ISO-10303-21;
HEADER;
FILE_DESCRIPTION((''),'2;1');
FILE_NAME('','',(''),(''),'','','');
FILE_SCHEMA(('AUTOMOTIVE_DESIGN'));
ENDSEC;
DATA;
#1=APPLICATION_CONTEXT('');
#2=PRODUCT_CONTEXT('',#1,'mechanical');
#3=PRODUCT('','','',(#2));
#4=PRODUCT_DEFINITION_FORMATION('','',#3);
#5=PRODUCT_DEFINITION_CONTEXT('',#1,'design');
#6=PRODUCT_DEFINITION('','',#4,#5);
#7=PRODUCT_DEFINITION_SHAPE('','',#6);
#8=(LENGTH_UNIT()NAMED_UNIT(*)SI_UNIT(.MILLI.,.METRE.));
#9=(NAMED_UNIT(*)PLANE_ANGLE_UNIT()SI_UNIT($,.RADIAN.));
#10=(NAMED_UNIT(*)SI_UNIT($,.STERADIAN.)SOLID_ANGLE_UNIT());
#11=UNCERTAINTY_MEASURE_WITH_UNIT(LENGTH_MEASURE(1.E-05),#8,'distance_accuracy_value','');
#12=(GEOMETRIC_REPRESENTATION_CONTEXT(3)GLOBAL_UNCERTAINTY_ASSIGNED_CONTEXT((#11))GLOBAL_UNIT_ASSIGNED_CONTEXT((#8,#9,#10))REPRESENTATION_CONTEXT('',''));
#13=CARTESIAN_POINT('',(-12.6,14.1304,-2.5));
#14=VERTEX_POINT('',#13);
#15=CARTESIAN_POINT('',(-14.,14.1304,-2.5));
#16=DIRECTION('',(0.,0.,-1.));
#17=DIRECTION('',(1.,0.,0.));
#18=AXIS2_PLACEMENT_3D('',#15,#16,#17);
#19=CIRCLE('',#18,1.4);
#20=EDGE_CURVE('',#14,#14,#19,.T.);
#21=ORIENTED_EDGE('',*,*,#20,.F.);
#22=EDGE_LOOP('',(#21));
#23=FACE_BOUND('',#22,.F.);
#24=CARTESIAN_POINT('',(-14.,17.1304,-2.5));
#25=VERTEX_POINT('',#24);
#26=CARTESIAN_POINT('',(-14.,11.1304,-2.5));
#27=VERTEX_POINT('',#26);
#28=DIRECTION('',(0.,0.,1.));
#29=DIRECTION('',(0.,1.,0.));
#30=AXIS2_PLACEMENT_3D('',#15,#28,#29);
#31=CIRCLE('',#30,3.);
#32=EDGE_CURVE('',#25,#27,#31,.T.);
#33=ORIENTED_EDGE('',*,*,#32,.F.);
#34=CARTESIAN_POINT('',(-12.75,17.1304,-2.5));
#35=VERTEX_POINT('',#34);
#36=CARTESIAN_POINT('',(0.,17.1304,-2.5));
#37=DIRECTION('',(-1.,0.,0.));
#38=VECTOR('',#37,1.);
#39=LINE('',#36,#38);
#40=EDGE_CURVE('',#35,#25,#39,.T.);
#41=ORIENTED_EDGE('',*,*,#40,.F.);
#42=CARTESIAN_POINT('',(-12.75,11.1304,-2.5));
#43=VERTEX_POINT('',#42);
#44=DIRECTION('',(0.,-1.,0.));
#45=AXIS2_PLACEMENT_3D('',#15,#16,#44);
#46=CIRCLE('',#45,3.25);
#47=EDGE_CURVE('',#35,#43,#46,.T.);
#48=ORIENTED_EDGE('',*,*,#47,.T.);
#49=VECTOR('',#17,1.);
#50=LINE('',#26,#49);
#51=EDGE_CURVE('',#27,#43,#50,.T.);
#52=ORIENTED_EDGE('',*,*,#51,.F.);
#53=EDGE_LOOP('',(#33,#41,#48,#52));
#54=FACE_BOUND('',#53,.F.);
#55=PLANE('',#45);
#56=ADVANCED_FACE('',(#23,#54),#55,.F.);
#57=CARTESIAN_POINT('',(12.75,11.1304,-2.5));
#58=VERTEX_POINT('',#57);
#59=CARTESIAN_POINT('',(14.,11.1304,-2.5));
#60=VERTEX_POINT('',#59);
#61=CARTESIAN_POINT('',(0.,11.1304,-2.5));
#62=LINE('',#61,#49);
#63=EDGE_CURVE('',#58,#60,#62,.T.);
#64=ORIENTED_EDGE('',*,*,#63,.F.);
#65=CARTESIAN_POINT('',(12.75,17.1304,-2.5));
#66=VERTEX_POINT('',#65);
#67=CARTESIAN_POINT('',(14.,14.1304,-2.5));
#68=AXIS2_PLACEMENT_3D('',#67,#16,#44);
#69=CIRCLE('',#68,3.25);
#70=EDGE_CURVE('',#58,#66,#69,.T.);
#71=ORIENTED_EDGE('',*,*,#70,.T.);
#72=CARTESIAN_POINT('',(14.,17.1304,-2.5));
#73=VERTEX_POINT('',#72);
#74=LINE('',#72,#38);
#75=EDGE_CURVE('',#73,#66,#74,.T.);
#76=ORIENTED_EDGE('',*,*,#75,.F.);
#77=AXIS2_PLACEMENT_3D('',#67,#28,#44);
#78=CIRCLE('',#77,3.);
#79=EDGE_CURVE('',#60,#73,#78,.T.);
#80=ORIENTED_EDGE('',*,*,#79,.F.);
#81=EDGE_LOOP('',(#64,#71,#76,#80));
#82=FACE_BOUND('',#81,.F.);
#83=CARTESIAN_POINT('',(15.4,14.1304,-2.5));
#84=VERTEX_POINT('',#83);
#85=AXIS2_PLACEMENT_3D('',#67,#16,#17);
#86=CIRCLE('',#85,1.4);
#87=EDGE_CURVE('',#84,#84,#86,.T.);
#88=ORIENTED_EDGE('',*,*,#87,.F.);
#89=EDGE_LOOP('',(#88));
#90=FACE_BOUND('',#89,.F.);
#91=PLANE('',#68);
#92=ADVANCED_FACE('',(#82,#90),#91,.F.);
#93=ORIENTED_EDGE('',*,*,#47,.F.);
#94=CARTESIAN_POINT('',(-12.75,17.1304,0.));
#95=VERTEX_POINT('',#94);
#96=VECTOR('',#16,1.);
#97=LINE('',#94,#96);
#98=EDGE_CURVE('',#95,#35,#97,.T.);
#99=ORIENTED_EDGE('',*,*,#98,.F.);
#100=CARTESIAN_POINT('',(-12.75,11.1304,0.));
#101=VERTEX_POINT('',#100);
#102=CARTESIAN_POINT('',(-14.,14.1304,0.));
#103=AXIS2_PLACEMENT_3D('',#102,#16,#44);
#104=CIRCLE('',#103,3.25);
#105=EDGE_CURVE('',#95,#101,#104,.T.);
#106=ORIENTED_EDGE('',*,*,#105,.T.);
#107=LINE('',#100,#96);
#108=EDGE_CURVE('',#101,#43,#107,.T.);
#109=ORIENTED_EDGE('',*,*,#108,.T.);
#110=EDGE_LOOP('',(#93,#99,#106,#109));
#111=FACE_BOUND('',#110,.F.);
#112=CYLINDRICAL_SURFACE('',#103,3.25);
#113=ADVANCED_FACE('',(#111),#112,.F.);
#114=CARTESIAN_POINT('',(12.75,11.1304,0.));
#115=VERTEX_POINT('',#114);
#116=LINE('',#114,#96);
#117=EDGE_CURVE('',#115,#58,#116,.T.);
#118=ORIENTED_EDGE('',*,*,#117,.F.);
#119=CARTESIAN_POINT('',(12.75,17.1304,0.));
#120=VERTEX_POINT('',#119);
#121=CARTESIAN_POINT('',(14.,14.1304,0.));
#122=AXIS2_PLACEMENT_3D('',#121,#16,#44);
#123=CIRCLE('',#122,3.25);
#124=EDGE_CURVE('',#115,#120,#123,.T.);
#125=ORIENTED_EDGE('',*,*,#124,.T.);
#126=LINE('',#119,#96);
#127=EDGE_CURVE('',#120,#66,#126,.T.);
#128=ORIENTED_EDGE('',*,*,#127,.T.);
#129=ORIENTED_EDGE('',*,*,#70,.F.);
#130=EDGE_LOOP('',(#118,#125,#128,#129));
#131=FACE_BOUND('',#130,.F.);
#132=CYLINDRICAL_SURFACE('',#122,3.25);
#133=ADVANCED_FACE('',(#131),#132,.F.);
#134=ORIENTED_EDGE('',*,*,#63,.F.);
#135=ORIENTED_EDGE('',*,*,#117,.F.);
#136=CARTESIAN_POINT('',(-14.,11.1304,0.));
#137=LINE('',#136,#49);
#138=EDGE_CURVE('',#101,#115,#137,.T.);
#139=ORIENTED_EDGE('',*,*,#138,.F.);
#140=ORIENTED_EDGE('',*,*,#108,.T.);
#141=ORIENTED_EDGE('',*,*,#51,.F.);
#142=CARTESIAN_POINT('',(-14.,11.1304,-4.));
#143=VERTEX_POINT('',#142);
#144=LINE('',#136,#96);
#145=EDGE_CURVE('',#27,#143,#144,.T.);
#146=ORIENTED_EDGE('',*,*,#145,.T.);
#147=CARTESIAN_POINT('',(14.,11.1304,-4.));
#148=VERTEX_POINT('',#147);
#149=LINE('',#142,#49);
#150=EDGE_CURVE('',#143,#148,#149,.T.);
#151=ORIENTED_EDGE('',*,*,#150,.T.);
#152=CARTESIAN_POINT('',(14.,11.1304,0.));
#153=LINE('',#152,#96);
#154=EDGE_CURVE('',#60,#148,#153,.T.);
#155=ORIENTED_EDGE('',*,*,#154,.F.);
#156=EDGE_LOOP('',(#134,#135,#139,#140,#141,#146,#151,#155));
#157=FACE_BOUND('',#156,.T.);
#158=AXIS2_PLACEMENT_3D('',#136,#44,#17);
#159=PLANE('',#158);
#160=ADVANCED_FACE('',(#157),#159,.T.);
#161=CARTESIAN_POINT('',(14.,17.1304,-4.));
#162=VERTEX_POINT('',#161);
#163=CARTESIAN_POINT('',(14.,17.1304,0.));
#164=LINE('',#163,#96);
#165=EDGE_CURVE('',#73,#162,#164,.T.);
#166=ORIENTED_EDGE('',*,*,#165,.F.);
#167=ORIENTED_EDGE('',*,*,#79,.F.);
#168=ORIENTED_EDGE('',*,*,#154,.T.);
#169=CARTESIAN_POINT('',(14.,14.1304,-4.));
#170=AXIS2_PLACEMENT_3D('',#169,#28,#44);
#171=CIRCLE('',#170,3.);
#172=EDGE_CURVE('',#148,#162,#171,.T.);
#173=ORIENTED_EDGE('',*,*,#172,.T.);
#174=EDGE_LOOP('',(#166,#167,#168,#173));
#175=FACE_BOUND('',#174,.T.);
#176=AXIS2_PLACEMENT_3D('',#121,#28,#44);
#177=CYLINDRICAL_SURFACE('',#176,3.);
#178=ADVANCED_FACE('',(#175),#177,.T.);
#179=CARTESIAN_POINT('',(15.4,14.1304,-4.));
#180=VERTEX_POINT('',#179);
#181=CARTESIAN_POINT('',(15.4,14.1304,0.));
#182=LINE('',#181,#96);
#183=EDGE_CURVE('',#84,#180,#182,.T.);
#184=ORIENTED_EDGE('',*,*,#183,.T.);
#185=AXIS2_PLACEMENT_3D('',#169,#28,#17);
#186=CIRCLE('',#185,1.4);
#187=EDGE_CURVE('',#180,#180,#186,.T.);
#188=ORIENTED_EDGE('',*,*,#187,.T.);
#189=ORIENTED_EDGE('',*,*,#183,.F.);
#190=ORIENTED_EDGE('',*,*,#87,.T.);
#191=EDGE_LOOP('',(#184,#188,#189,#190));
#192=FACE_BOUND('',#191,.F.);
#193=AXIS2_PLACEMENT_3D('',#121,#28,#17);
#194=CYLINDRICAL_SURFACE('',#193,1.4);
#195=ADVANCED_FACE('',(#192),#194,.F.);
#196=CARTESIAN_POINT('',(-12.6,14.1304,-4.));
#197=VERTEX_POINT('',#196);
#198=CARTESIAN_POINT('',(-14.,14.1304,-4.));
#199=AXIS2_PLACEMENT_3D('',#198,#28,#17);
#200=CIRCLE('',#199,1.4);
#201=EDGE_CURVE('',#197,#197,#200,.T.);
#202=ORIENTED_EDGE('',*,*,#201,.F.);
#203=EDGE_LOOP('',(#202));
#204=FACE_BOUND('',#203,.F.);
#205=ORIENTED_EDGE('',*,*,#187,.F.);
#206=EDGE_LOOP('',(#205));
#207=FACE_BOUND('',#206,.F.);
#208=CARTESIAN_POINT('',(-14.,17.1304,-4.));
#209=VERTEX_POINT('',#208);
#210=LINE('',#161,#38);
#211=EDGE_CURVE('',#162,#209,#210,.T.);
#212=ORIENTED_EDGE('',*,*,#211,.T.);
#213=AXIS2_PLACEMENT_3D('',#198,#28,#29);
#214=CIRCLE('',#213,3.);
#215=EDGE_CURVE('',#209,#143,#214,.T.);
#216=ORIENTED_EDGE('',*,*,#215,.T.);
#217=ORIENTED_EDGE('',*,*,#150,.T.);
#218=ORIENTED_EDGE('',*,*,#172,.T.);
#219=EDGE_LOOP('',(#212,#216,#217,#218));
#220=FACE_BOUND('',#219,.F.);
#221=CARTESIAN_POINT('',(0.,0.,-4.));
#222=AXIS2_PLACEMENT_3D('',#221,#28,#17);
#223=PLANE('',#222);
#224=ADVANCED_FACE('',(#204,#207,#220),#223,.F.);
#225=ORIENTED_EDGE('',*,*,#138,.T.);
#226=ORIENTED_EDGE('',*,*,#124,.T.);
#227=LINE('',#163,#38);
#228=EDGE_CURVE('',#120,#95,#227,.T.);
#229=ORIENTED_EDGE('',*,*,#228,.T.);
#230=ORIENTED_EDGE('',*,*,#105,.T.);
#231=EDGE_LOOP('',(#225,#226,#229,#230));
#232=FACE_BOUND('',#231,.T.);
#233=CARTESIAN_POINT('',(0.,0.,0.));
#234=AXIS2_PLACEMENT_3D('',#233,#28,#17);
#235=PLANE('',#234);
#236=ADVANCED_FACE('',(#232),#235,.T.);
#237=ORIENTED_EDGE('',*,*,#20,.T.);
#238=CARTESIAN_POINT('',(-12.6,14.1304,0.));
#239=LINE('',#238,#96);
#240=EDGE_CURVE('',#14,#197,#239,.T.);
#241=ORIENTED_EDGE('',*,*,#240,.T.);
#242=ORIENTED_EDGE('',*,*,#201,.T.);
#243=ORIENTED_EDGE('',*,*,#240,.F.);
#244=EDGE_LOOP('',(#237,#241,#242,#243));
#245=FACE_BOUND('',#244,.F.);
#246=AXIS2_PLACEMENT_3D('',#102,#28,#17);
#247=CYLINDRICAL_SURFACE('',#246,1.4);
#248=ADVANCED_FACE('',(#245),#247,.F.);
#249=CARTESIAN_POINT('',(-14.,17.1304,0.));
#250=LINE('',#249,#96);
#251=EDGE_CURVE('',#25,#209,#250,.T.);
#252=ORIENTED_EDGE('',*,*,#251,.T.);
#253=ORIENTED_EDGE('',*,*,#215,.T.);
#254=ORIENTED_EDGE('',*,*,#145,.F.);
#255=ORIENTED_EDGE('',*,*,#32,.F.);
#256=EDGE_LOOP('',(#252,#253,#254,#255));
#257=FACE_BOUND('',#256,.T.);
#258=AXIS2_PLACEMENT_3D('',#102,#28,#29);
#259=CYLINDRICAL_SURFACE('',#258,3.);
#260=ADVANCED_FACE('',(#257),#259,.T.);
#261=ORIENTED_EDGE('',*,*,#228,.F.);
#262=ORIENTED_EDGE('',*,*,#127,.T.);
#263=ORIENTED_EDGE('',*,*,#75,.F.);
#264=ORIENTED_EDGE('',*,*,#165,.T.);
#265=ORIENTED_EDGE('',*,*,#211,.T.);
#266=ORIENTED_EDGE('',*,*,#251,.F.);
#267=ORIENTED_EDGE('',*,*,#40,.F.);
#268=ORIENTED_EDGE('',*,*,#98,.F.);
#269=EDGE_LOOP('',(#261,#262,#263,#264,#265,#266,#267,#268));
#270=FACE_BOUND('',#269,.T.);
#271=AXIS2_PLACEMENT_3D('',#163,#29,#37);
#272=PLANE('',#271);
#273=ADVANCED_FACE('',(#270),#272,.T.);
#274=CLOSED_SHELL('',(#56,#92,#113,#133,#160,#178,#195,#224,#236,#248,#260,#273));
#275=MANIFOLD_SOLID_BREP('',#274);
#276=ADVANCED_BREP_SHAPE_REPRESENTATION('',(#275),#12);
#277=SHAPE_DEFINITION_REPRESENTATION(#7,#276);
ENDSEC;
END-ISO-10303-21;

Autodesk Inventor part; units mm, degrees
ref_plane "YZ Plane" through (0, 0, 0) normal (1, 0, 0) x (0, 1, 0)
ref_plane "XZ Plane" through (0, 0, 0) normal (0, 1, 0) x (-1, 0, 0)
ref_plane "XY Plane" through (0, 0, 0) normal (0, 0, 1) x (1, 0, 0)
ref_plane "Arbeitsebene1" through (0, 0, 0) normal (0, 0, 1) x (1, 0, 0)
sketch "Skizze1" plane through (0, 0, 0) normal (0, 0, 1) x (1, 0, 0)
  circle A0 centre (17.5021, -9.9999) radius 1.45 projected
  circle A1 centre (-17.4978, -9.9998) radius 1.45 projected
  circle A2 centre (-17.4979, 10.0001) radius 1.45 projected
  circle A3 centre (17.5021, 10.0001) radius 1.45 projected
  arc A4 (-9.5, 21.063) -> (-12.4584, 22.8184) centre (-11.5, 21.063) ccw projected
  arc A5 (-12.4584, 22.8184) -> (12.4584, 22.8184) centre (0, 0) ccw projected
  arc A6 (12.4584, 22.8184) -> (9.5, 21.063) centre (11.5, 21.063) ccw projected
  line L0 (9.5, 21.063) -> (9.5, 17.6304) projected
  line L1 (9.5, 17.6304) -> (14, 17.6304) projected
  arc A7 (14, 10.6304) -> (14, 17.6304) centre (14, 14.1304) ccw projected
  line L2 (14, 10.6304) -> (9.5, 10.6304) projected
  line L3 (9.5, 10.6304) -> (9.5, -9) projected
  line L4 (9.5, -9) -> (-9.5, -9) projected
  line L5 (-9.5, -9) -> (-9.5, 10.6304) projected
  line L6 (-9.5, 10.6304) -> (-14, 10.6304) projected
  arc A8 (-14, 17.6304) -> (-14, 10.6304) centre (-14, 14.1304) ccw projected
  line L7 (-14, 17.6304) -> (-9.5, 17.6304) projected
  line L8 (-9.5, 17.6304) -> (-9.5, 21.063) projected
  circle A9 centre (-14, 14.1304) radius 1.4 projected
  circle A10 centre (14, 14.1304) radius 1.4 projected
  line L9 (-14, 14.1304) -> (14, 14.1304) construction
  line L10 (-14, 11.1304) -> (14, 11.1304)
  line L11 (14, 17.1304) -> (-14, 17.1304)
  arc A11 (-14, 17.1304) -> (-14, 11.1304) centre (-14, 14.1304) ccw
  arc A12 (14, 11.1304) -> (14, 17.1304) centre (14, 14.1304) ccw
  point P0 (0, 14.1304)
  dimension "d0" = 6
extrude "Extrusion1" add sketch "Skizze1" against normal blind 4 contours A11 L11 A12 L10
sketch "Skizze2" plane through (0, 0, 0) normal (0, 0, 1) x (1, 0, 0)
  arc A0 (14, 11.1304) -> (14, 17.1304) centre (14, 14.1304) ccw projected
  line L0 (14, 17.1304) -> (-14, 17.1304) projected
  arc A1 (-14, 17.1304) -> (-14, 11.1304) centre (-14, 14.1304) ccw projected
  line L1 (-14, 11.1304) -> (14, 11.1304) projected
  circle A2 centre (14, 14.1304) radius 1.4 projected
  circle A3 centre (-14, 14.1304) radius 1.4 projected
  point P0 (0, 0)
hole "Bohrung1" at (-14, 14.1304, 0) at (14, 14.1304, 0) direction (0, 0, -1) diameter 2.8 depth 7 tip angle 118 counterbore diameter 6.5 counterbore depth 2.5
sketch "Skizze3" plane through (-14, 17.1304, -4) normal (0, 1, 0) x (1, 0, 0)
  line L0 (1.25, -1.5) -> (1.25, -4) projected
  line L1 (26.75, -4) -> (1.25, -4) projected
  line L2 (26.75, -4) -> (26.75, -1.5) projected
  line L3 (26.75, -1.5) -> (28, -1.5) projected
  line L4 (28, -1.5) -> (28, 0) projected
  line L5 (0, 0) -> (28, 0) projected
  line L6 (0, -1.5) -> (0, 0) projected
  line L7 (0, -1.5) -> (1.25, -1.5) projected
  line L8 (-22.3971, 2) -> (50.3971, 2)
  circle A0 centre (14, 2) radius 2
  point P0 (14, -4)
properties part number "Cableholder_Ikealamp"
